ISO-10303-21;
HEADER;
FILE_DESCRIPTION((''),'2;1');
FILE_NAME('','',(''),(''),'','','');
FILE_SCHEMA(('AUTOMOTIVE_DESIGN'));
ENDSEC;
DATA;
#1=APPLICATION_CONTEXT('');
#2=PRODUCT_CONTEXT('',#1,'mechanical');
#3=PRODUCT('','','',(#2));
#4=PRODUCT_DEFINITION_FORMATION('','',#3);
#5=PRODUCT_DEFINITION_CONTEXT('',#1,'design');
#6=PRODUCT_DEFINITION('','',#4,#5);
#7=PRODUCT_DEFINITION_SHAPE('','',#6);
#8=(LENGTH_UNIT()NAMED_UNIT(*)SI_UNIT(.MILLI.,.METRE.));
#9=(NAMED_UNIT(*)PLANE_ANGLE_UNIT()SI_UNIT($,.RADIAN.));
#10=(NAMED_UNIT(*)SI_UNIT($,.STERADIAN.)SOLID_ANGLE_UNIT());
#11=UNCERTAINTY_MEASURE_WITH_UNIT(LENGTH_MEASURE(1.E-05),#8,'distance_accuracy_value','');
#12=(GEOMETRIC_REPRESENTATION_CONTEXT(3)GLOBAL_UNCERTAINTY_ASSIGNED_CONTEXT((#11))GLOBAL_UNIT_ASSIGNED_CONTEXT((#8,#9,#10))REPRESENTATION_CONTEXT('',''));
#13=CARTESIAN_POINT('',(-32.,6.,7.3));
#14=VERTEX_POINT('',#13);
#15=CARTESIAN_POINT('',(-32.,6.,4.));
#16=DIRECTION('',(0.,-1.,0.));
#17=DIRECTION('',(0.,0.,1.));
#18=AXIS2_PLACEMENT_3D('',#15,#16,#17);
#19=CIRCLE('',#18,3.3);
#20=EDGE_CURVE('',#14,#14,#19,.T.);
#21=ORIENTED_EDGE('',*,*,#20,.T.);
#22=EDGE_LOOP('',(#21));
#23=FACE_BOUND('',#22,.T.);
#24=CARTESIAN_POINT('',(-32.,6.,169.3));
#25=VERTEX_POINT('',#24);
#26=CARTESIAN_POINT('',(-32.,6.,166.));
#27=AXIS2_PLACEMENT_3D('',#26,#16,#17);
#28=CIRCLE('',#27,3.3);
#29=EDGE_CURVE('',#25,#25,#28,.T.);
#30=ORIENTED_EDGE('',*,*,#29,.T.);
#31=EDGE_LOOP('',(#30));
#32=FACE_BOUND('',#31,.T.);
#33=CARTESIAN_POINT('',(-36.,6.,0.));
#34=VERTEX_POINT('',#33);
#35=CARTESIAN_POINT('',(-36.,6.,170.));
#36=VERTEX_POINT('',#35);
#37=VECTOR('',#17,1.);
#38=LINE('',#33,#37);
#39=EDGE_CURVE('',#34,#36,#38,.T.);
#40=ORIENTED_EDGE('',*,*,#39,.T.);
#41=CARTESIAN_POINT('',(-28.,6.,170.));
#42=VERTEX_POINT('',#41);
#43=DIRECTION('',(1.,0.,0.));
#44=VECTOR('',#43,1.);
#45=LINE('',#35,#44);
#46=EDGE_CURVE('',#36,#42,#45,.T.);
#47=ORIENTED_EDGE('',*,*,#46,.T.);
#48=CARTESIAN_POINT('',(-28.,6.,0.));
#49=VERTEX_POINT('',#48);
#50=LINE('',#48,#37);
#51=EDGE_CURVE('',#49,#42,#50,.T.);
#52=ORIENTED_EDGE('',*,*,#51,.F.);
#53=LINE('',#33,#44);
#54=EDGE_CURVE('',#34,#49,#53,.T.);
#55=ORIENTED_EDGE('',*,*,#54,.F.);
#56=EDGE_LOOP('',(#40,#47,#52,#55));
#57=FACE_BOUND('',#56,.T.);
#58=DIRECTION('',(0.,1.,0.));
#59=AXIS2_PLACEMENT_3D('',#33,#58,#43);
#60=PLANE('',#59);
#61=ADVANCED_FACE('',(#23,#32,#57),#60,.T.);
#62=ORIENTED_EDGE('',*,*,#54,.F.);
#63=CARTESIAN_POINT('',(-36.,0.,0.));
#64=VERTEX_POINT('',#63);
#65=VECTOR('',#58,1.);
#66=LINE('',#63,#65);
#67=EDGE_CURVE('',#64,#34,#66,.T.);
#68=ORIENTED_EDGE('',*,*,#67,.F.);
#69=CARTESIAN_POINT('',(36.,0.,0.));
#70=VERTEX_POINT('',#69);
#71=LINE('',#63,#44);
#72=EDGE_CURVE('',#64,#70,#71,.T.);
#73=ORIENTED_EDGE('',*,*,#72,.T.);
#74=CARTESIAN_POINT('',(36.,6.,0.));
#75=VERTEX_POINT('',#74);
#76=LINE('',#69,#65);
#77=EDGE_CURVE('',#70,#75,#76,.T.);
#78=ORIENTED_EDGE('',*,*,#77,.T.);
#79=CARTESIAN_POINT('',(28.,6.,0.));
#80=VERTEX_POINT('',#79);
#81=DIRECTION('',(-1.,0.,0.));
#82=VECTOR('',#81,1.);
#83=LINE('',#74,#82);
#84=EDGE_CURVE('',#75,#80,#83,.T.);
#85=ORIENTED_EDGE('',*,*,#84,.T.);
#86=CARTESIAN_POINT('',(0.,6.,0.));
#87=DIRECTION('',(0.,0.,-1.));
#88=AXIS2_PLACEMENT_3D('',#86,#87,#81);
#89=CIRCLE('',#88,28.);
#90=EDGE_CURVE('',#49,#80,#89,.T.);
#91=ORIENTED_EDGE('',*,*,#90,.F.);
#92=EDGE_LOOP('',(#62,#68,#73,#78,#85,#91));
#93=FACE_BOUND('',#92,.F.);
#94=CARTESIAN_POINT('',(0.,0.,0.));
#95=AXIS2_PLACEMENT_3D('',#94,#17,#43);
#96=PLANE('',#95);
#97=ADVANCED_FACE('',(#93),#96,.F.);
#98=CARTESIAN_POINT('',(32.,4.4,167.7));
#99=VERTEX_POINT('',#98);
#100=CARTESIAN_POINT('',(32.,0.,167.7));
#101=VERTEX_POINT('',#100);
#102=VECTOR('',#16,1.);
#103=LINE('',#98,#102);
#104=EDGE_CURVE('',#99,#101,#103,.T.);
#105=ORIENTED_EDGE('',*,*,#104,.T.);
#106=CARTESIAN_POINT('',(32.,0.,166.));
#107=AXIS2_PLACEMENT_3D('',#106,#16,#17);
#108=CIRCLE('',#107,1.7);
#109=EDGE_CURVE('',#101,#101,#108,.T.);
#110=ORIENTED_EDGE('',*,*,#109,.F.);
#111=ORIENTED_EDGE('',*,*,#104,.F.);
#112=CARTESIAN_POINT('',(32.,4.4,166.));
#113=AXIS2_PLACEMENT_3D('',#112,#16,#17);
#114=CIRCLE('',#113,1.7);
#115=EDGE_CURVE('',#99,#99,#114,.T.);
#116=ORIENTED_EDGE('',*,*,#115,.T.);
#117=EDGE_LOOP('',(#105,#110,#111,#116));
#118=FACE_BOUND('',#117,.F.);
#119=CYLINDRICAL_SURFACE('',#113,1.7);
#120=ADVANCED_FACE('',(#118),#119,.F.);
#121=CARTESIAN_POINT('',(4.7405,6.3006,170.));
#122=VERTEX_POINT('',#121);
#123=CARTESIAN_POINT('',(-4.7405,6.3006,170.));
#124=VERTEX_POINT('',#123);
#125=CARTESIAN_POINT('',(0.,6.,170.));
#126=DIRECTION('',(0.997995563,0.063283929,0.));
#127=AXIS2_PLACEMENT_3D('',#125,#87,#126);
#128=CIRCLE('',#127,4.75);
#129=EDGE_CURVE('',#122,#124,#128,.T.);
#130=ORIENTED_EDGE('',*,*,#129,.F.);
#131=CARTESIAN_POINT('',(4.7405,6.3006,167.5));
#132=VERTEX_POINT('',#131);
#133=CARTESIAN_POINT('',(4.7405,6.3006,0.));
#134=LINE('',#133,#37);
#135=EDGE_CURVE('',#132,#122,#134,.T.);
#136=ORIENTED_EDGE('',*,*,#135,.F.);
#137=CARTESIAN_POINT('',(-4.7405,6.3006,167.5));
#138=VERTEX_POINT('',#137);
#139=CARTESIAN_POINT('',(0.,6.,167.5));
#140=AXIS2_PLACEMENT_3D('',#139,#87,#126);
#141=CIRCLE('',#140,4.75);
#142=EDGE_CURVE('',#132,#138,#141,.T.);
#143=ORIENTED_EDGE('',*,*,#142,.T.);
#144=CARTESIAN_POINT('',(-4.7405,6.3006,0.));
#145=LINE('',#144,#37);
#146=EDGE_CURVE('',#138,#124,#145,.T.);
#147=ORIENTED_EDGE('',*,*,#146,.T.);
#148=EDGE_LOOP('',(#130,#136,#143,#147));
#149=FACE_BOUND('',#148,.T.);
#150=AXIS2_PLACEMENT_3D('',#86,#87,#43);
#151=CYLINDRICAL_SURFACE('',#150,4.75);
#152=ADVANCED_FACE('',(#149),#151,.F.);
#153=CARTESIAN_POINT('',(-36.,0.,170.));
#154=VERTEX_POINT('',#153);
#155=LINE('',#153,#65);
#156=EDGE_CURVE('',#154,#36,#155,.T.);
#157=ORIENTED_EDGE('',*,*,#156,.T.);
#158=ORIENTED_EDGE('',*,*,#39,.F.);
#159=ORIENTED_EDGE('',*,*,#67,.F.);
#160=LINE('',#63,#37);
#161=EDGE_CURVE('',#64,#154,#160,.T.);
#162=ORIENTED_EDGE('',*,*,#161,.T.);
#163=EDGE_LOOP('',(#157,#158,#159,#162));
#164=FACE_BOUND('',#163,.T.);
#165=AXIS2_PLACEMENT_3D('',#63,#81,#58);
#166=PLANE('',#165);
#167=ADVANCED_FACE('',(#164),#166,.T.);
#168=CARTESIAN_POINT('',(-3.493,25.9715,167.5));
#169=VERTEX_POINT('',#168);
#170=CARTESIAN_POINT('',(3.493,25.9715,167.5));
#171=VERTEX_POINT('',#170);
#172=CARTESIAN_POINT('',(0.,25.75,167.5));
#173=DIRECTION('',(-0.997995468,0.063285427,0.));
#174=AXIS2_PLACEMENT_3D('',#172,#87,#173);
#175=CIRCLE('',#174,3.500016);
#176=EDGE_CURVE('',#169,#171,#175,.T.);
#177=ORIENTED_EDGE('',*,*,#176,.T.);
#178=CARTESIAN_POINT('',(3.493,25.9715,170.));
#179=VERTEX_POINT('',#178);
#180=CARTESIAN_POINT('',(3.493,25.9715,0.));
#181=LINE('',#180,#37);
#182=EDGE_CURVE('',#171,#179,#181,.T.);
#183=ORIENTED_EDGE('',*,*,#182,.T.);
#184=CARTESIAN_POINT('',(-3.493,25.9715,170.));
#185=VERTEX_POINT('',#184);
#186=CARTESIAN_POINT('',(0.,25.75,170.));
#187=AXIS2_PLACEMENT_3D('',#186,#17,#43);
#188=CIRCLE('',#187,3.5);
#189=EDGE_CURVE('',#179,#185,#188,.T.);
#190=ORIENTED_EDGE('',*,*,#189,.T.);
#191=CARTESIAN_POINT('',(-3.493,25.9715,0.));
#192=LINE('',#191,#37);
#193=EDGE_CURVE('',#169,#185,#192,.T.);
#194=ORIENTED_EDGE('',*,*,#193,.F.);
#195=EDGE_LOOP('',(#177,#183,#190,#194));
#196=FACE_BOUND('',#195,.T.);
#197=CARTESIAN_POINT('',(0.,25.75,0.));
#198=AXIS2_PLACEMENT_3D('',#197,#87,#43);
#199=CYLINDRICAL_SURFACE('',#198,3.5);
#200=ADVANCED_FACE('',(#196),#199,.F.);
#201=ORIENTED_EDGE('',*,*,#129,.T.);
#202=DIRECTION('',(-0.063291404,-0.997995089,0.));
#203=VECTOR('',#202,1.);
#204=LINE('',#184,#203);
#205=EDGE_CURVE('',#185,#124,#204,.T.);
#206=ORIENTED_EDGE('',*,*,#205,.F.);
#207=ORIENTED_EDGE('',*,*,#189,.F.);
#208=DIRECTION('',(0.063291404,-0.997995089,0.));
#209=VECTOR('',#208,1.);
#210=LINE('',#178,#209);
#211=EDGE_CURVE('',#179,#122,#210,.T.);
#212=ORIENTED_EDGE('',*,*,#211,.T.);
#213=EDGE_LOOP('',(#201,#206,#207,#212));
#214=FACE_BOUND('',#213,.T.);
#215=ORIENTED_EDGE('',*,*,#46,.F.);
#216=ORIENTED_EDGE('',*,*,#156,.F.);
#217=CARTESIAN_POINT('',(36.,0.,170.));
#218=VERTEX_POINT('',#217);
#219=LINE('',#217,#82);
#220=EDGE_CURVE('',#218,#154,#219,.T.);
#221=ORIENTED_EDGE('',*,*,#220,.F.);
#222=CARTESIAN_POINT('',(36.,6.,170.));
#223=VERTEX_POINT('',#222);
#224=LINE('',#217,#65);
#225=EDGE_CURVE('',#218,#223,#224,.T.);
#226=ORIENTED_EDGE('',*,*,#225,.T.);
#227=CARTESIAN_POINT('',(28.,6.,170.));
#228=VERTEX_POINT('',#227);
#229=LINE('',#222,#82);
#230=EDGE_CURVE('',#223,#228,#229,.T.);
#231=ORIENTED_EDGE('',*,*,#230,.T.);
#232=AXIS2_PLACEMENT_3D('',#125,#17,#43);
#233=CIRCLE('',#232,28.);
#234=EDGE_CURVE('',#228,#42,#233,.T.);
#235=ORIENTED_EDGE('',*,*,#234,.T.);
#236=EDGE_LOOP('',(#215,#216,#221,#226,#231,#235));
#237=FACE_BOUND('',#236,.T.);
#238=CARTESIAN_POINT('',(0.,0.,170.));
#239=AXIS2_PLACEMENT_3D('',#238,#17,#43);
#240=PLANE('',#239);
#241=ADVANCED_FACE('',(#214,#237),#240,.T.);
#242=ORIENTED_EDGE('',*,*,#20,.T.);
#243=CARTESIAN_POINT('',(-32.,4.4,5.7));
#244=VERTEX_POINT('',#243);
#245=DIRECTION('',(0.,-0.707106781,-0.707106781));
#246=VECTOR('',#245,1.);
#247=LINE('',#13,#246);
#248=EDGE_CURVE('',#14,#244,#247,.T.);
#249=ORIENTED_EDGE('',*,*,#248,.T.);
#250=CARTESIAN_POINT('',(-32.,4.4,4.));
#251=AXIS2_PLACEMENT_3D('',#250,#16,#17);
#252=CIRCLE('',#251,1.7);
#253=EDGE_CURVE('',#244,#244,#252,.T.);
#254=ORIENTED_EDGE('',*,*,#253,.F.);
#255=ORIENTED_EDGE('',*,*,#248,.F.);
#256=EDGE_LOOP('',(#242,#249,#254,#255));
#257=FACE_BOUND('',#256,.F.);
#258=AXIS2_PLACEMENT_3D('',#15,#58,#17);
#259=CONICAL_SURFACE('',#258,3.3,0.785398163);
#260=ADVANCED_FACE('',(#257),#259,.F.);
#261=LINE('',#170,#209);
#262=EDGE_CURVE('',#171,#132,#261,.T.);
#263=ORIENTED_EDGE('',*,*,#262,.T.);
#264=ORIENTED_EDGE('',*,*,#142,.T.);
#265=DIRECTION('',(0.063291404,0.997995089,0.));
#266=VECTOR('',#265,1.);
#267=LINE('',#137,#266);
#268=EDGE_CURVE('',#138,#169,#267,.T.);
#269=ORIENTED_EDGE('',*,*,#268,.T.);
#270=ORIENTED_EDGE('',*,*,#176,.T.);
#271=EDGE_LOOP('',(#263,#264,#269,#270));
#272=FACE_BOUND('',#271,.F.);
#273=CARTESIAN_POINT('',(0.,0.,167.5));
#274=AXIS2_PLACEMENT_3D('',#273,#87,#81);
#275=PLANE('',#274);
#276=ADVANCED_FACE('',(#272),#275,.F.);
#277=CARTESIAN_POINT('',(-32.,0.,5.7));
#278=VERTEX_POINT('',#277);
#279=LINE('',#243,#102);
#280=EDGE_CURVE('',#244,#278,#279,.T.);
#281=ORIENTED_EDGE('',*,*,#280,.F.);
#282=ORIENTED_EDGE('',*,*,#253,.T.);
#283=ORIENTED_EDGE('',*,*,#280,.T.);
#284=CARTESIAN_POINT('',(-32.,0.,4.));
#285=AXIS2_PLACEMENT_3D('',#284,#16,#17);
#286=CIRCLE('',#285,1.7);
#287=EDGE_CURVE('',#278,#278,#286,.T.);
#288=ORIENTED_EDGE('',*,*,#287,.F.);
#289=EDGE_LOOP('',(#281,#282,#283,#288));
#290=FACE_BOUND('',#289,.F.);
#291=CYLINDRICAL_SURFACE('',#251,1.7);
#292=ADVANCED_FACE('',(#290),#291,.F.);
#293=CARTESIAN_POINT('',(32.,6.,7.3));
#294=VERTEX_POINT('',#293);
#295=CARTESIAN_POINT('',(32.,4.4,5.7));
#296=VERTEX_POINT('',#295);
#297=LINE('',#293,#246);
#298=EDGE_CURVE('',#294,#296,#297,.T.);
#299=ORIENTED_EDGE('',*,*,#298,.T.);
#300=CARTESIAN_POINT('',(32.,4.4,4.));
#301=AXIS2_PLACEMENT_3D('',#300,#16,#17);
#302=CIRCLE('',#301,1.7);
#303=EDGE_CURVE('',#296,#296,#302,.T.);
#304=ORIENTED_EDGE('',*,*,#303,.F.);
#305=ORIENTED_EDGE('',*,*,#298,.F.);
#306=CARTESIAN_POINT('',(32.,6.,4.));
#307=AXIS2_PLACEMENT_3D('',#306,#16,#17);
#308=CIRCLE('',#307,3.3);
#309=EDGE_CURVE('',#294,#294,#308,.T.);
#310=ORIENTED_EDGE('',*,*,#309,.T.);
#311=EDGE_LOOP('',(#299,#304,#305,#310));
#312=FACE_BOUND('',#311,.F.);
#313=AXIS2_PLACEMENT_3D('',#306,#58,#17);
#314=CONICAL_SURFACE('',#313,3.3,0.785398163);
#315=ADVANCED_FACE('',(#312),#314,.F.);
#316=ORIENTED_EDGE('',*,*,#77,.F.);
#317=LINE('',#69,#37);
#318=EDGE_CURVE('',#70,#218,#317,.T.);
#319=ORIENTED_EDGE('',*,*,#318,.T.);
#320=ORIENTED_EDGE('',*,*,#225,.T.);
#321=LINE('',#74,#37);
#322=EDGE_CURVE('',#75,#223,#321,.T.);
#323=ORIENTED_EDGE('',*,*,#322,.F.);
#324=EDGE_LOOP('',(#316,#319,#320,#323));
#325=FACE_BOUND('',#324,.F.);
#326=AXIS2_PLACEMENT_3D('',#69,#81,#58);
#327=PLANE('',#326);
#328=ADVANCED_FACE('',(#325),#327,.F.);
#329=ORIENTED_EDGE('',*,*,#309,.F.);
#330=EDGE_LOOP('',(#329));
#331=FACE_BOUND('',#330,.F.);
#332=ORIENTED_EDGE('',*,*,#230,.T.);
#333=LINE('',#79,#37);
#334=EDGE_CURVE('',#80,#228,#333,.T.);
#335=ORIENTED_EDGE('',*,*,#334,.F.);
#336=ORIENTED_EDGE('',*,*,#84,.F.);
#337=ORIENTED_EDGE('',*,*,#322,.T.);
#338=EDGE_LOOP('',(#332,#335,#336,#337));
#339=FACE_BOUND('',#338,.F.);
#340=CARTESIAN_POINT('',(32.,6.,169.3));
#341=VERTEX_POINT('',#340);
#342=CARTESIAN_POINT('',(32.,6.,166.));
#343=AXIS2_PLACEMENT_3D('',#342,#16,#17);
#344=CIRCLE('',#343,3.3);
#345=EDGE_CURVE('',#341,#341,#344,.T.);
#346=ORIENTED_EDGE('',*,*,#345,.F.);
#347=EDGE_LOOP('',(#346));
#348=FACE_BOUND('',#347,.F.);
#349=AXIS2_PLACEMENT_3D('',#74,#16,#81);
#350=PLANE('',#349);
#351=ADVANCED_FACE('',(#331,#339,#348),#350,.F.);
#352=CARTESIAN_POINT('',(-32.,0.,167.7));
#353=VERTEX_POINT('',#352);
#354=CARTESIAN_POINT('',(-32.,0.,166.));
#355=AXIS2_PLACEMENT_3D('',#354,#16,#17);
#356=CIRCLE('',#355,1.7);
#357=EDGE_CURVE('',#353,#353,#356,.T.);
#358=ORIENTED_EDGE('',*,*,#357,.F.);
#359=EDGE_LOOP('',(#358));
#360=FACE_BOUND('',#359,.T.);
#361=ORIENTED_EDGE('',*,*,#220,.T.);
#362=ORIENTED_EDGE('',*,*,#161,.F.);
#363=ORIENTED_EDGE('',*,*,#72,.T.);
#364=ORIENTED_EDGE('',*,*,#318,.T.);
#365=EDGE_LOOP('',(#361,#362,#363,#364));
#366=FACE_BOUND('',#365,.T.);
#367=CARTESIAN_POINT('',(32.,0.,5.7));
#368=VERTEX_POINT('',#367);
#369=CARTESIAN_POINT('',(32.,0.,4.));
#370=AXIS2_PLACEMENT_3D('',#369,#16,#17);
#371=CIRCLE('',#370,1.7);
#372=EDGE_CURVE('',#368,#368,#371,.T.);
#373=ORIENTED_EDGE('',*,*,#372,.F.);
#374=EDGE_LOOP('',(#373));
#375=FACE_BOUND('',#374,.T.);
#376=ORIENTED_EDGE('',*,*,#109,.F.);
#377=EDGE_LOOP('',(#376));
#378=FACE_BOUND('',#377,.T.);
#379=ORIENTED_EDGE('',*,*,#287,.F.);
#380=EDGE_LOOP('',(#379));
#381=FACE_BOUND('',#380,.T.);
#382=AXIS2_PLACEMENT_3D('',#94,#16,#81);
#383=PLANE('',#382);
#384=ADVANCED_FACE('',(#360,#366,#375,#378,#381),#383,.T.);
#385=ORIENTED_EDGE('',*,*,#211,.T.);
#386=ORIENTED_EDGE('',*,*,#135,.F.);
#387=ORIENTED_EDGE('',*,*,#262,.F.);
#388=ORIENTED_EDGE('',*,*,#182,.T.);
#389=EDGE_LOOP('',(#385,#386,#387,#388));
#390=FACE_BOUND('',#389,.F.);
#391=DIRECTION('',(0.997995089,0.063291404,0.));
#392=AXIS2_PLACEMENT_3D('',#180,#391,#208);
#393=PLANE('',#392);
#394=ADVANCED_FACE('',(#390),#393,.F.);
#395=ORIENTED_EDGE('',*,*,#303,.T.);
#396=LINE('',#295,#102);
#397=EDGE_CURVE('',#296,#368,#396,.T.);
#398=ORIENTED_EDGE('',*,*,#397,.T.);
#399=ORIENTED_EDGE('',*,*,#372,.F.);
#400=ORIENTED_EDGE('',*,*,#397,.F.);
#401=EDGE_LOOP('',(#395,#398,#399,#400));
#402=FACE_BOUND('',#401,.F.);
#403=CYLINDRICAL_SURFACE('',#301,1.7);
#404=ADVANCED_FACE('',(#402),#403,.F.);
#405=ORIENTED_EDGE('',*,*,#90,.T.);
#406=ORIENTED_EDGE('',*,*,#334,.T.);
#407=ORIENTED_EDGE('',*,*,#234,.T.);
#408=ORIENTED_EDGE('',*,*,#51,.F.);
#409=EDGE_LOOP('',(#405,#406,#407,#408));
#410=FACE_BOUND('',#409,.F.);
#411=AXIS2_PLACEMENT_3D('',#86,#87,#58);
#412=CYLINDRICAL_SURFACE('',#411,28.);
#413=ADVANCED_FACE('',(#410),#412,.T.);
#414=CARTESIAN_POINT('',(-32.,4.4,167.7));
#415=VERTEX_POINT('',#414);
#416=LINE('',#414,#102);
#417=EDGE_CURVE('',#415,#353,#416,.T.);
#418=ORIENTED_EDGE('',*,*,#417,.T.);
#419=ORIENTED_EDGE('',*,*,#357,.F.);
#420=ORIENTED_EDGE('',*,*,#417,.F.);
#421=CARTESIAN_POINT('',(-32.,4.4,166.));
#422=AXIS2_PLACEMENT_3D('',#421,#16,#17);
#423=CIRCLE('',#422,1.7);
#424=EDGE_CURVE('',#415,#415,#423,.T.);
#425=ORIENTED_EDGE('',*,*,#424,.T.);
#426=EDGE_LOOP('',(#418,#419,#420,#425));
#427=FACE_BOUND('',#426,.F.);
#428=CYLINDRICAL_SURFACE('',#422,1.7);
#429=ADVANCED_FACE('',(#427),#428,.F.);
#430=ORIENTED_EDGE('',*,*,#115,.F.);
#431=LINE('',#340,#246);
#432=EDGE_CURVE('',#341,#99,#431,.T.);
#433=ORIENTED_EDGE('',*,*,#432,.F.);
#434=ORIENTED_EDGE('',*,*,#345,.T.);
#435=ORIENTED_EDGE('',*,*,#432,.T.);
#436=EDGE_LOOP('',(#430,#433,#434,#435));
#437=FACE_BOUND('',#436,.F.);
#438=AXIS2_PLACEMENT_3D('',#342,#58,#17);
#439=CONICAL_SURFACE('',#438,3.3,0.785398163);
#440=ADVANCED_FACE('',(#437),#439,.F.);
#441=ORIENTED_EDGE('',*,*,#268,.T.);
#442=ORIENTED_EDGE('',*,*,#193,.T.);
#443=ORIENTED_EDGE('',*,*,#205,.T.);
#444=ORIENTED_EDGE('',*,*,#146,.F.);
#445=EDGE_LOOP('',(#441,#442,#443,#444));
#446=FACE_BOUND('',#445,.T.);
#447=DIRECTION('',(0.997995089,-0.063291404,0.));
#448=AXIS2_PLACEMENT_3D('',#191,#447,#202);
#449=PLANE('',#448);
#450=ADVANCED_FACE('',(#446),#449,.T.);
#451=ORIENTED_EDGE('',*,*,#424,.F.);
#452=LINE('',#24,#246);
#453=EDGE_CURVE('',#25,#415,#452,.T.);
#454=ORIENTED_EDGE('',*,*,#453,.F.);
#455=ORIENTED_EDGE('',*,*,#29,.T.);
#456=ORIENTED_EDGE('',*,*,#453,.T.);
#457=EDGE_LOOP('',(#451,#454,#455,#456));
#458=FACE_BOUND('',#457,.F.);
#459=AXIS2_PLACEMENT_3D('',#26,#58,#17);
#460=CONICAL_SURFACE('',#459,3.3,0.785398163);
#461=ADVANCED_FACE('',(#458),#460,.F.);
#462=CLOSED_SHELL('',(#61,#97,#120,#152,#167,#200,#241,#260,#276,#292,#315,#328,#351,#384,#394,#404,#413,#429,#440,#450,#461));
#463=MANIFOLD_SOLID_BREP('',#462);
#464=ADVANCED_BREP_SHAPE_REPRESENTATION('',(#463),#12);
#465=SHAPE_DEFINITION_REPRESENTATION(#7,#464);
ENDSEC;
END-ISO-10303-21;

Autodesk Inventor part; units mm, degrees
ref_plane "YZ Plane" through (0, 0, 0) normal (1, 0, 0) x (0, 1, 0)
ref_plane "XZ Plane" through (0, 0, 0) normal (0, 1, 0) x (-1, 0, 0)
ref_plane "XY Plane" through (0, 0, 0) normal (0, 0, 1) x (1, 0, 0)
sketch "Эскиз1" plane through (0, 0, 0) normal (0, 0, 1) x (1, 0, 0)
  line L0 (0, 0) -> (-36, 0)
  line L1 (-36, 0) -> (-36, 6)
  line L2 (-36, 6) -> (-28, 6)
  arc A0 (0, 34) -> (-28, 6) centre (0, 6) ccw
  line L3 (0, 34) -> (0, 0) construction
  line L4 (-28, 6) -> (-28, 13.1241) construction
  circle A1 centre (0, 6) radius 4.75
  circle A2 centre (0, 25.75) radius 3.5
  line L5 (-3.493, 25.9715) -> (-4.7405, 6.3006)
  line L6 (3.493, 25.9715) -> (4.7405, 6.3006)
  line L7 (0, 0) -> (36, 0)
  line L8 (36, 0) -> (36, 6)
  line L9 (36, 6) -> (28, 6)
  arc A3 (28, 6) -> (0, 34) centre (0, 6) ccw
  line L10 (28, 6) -> (28, 13.1241) construction
  dimension "d0" = 8
  dimension "d1" = 6
  dimension "d2" = 28
  dimension "d3" = 7
  dimension "d4" = 9.5
  dimension "d5" = 19.75
extrude "Выдавливание1" add sketch "Эскиз1" along normal blind 170
sketch "Эскиз2" plane through (0, 0, 0) normal (0, 0, -1) x (-1, 0, 0)
  line L0 (-36, 6) -> (-28, 6) projected
  line L1 (-36, 0) -> (-36, 6) projected
  line L2 (36, 0) -> (-36, 0) projected
  line L3 (36, 6) -> (36, 0) projected
  line L4 (28, 6) -> (36, 6) projected
  arc A0 (28, 6) -> (-28, 6) centre (0, 6) ccw projected
  line L5 (-3.493, 25.9715) -> (-4.7405, 6.3006) projected
  arc A1 (3.493, 25.9715) -> (-3.493, 25.9715) centre (0, 25.75) ccw projected
  line L6 (4.7405, 6.3006) -> (3.493, 25.9715) projected
  arc A2 (-4.7405, 6.3006) -> (4.7405, 6.3006) centre (0, 6) ccw projected
  point P0 (0, 0)
extrude "Выдавливание2" add sketch "Эскиз2" against normal blind 167.5 contours A1 L6 A2 L5
sketch "Эскиз3" plane through (28, 6, 0) normal (0, 1, 0) x (1, 0, 0)
  line L0 (-64, 0) -> (8, 0) projected
  line L1 (8, 0) -> (8, -170) projected
  line L2 (-64, -170) -> (8, -170) projected
  line L3 (-64, 0) -> (-64, -170) projected
  line L4 (-28, 0) -> (-28, -85) construction
  line L5 (-28, -85) -> (14.415, -85) construction
  point P0 (-60, -166)
  point P1 (8, -85)
  point P2 (4, -166)
  point P3 (-60, -4)
  point P4 (4, -4)
  dimension "d10" = 4
  dimension "d11" = 4
hole "Отверстие1" at (-32, 6, 166) at (32, 6, 166) at (-32, 6, 4) at (32, 6, 4) direction (0, -1, 0) diameter 3.4 depth 6 countersink diameter 6.6 countersink angle 90 clearance for "с потайной головкой ГОСТ 12876-67" size "M3" standard "ГОСТ"
properties part number "вал форточка"
